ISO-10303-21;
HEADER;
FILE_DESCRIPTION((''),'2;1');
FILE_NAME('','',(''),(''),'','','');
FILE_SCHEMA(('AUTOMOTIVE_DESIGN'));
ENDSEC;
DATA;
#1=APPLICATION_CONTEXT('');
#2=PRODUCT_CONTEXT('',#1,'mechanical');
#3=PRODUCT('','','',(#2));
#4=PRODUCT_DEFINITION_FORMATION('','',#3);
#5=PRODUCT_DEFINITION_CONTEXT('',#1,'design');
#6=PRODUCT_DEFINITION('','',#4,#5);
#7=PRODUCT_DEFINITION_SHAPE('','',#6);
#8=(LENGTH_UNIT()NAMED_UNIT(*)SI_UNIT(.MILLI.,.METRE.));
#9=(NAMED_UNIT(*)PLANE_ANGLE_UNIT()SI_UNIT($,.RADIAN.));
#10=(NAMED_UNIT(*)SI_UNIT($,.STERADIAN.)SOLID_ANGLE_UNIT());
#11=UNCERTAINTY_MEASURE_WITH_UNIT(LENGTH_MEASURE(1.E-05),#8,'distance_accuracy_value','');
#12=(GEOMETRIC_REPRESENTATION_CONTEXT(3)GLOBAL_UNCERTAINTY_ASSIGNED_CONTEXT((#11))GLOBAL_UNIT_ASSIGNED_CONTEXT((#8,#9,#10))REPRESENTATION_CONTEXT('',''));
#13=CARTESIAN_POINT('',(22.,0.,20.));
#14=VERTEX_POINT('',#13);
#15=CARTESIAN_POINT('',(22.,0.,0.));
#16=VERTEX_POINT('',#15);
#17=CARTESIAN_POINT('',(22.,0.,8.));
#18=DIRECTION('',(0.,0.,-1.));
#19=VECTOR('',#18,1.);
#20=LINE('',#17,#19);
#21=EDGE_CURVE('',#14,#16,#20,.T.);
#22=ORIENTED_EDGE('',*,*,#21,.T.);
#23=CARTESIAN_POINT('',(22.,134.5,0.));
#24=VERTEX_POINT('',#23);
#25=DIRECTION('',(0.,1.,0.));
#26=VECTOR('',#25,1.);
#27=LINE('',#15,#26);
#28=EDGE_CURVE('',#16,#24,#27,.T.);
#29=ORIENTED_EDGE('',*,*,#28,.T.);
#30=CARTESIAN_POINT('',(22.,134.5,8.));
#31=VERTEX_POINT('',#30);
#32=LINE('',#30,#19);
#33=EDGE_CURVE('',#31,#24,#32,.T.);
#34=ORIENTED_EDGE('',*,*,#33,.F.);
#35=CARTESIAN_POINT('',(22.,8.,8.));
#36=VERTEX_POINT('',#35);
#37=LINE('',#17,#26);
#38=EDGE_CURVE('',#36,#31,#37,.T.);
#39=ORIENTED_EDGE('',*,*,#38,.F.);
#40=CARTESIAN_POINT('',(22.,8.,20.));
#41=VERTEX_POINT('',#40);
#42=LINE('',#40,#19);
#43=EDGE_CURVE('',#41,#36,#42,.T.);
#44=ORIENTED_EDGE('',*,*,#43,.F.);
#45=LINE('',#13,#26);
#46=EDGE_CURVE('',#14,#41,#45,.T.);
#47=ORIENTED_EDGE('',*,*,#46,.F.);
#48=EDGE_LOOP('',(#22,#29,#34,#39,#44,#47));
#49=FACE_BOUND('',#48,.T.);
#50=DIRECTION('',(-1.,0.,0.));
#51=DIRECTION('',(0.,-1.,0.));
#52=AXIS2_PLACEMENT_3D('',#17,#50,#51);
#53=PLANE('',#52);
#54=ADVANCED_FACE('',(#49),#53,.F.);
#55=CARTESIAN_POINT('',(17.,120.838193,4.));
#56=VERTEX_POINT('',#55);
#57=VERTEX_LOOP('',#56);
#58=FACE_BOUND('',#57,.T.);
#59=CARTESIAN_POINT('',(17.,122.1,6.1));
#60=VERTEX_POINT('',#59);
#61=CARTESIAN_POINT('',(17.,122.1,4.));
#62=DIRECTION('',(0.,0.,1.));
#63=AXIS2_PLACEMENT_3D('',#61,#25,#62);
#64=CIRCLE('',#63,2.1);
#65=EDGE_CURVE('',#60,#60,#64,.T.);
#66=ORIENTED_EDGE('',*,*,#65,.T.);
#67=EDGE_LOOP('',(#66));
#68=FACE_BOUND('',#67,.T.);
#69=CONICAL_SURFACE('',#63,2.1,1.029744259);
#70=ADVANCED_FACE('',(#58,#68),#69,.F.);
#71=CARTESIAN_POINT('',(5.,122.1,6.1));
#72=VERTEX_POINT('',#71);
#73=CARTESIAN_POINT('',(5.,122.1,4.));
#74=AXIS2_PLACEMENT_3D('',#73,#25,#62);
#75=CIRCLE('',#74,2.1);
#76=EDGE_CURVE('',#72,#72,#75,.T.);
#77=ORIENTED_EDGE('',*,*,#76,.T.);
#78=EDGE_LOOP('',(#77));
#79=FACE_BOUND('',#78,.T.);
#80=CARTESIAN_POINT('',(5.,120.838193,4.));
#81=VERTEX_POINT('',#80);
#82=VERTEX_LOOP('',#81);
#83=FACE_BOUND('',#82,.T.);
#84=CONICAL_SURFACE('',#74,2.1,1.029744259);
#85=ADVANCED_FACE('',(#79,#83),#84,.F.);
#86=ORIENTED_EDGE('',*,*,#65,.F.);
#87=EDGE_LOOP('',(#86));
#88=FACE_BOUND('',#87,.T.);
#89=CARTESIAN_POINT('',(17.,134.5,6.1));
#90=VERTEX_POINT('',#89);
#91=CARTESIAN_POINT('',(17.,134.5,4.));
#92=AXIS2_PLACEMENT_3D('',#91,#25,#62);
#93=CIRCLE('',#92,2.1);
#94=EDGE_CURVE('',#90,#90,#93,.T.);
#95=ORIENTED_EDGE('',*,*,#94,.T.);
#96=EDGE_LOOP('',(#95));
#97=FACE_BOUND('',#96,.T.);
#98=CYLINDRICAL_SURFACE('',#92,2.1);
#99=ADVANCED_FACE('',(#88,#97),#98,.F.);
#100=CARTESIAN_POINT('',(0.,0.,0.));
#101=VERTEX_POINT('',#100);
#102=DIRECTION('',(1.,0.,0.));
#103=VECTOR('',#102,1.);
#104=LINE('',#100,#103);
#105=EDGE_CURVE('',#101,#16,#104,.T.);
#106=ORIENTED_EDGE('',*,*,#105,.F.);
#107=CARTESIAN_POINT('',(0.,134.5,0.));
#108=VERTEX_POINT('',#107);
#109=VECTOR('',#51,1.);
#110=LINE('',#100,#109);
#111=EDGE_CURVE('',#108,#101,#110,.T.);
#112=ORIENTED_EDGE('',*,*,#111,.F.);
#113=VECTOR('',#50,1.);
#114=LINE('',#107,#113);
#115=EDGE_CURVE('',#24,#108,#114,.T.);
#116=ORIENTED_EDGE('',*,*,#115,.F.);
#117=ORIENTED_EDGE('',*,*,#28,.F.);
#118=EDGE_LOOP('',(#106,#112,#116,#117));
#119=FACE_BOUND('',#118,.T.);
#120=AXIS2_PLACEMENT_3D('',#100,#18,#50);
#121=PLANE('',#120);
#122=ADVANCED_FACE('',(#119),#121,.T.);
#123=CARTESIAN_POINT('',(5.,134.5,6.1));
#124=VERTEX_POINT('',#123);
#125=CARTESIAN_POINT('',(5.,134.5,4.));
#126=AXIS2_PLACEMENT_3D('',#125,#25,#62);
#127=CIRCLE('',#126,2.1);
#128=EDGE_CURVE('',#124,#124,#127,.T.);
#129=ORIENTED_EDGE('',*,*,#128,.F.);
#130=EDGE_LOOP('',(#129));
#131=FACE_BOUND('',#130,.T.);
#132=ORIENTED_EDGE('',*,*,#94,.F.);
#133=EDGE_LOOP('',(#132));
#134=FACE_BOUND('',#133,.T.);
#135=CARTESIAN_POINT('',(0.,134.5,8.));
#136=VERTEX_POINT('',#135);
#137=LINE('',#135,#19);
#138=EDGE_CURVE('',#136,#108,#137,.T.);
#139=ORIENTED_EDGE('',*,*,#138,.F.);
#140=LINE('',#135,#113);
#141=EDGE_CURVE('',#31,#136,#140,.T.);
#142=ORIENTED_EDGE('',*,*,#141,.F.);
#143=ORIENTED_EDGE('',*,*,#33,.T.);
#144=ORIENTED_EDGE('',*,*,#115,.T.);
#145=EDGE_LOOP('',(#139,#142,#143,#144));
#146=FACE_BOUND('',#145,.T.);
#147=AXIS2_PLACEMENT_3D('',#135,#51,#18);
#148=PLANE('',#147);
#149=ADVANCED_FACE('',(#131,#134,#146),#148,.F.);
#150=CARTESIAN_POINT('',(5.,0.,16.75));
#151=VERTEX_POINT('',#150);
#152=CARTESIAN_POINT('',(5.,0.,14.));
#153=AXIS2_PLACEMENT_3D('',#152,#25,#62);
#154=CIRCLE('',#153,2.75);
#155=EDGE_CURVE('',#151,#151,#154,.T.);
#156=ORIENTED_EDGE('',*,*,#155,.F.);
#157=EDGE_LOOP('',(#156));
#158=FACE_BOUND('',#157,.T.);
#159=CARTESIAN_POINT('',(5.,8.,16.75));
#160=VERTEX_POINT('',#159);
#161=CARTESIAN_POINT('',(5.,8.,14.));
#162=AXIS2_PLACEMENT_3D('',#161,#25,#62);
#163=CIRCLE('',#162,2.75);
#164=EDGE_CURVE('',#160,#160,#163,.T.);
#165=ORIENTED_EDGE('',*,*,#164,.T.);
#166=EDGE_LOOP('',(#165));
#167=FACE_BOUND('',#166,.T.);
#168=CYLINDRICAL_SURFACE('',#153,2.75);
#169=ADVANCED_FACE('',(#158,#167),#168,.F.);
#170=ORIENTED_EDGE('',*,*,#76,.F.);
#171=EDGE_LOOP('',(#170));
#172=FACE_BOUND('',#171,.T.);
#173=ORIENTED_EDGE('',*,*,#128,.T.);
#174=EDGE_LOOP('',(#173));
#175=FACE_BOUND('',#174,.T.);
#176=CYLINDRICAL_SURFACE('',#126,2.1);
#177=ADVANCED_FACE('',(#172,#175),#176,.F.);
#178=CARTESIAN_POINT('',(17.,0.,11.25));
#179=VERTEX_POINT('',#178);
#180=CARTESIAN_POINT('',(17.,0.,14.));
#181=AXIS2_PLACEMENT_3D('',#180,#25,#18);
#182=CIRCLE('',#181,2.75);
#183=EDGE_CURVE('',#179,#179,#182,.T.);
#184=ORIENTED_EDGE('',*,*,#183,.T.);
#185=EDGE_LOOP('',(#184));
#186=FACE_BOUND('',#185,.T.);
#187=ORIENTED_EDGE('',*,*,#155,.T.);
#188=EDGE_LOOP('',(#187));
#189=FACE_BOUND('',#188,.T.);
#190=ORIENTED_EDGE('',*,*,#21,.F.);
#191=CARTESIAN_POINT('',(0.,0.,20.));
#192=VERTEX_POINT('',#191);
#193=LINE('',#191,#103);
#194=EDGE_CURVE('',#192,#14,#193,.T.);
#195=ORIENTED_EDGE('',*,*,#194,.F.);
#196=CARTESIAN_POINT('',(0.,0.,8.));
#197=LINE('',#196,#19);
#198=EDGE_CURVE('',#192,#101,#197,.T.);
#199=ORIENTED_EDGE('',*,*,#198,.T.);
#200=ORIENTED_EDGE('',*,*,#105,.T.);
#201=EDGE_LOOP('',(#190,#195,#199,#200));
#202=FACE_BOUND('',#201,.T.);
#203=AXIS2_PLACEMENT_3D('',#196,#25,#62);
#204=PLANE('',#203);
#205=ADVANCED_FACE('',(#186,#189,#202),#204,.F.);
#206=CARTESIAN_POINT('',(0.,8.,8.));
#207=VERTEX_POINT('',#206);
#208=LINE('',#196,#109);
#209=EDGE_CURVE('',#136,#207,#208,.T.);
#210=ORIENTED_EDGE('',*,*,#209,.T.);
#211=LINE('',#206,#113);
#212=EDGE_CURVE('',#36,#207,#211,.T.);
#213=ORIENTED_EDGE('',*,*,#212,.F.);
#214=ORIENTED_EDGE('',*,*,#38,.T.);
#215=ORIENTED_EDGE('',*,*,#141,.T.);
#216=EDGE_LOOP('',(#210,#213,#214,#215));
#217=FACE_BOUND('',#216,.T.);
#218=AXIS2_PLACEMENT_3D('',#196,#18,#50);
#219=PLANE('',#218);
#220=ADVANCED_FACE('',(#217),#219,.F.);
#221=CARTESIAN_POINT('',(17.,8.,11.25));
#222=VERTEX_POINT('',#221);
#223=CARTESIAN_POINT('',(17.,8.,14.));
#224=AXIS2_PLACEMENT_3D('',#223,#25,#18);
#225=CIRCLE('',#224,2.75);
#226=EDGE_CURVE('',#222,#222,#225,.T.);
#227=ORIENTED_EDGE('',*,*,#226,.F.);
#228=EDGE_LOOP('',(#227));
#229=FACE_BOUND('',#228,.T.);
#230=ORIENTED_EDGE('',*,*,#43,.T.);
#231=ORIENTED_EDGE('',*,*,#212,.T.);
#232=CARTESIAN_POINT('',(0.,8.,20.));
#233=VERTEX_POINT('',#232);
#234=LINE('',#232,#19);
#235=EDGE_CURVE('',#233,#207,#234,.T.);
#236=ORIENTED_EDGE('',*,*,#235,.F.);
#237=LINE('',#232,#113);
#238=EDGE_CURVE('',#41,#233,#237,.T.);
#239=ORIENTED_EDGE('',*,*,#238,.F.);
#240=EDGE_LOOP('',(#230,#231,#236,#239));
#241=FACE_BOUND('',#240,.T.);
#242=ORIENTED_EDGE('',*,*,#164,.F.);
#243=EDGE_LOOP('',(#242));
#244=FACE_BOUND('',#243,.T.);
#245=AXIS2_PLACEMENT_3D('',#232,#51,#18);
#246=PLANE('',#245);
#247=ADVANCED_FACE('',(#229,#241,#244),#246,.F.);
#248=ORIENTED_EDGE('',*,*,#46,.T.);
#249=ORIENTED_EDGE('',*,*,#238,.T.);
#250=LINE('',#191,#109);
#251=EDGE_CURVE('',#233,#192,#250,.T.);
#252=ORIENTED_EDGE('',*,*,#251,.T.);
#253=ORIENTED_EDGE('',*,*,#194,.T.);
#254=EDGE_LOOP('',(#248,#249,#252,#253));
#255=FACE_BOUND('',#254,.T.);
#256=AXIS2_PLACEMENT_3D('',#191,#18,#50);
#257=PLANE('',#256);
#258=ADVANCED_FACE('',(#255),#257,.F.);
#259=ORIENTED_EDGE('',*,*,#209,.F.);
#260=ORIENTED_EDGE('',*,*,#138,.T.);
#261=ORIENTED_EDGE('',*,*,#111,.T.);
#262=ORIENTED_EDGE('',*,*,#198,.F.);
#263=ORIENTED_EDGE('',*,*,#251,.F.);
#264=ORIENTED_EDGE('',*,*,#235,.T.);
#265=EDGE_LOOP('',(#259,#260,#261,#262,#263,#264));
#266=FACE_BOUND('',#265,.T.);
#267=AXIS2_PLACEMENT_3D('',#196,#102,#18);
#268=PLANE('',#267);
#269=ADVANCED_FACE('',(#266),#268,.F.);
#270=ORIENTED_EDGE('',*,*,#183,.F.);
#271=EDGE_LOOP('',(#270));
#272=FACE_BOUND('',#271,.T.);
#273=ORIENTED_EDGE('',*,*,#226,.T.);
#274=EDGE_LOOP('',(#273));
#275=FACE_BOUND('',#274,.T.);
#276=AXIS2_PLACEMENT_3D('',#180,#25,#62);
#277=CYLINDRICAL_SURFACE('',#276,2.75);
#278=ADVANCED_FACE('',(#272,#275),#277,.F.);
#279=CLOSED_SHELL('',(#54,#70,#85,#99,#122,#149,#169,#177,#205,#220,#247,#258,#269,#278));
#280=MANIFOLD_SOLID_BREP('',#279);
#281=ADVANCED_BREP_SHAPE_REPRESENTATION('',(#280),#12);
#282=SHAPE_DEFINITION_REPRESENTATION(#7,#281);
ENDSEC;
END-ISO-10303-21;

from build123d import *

# Parameters (mm, degrees)
SKETCH_1_W             = 22
SKETCH_1_H             = 134.5
EXTRUDE_1_DEPTH        = 8
HOLE_WIZARD_M5_1_D     = 4.2
HOLE_WIZARD_M5_1_DEPTH = 12.4
HOLE_WIZARD_M5_1_TIP   = 1.2618073
SKETCH_6_W             = 22
SKETCH_6_H             = 8
EXTRUDE_2_DEPTH        = 12
SKETCH_7_R             = 2.75
CUT_EXTRUDE_1_DEPTH    = 9


with BuildPart() as part:
    # 草图1 → 凸台-拉伸1 (new body)
    with BuildSketch(Plane.XY):
        with Locations((11, 67.25)):
            Rectangle(SKETCH_1_W, SKETCH_1_H)
    extrude(amount=EXTRUDE_1_DEPTH)

    # M5 螺纹孔1
    with Locations(Plane(origin=(0, 134.5, 0), x_dir=(1, 0, 0), z_dir=(0, 1, 0))):
        with Locations((17, -4), (5, -4)):
            Hole(HOLE_WIZARD_M5_1_D / 2, depth=HOLE_WIZARD_M5_1_DEPTH)
            with Locations((0, 0, -(HOLE_WIZARD_M5_1_DEPTH + HOLE_WIZARD_M5_1_TIP / 2))):  # 118° drill point
                Cone(0, HOLE_WIZARD_M5_1_D / 2, HOLE_WIZARD_M5_1_TIP, mode=Mode.SUBTRACT)

    # 草图6 → 凸台-拉伸2 (add)
    with BuildSketch(Plane.XY.offset(8)):
        with Locations((11, 4)):
            Rectangle(SKETCH_6_W, SKETCH_6_H)
    extrude(amount=EXTRUDE_2_DEPTH)

    # 草图7 → 切除-拉伸1 (cut, through all)
    with BuildSketch(Plane(origin=(0, 8, 0), x_dir=(1, 0, 0), z_dir=(0, 1, 0))):
        with Locations((5, -14)):
            Circle(SKETCH_7_R)
        with Locations((17, -14)):
            Circle(SKETCH_7_R)
    extrude(amount=-CUT_EXTRUDE_1_DEPTH, mode=Mode.SUBTRACT)


solid = part.part
